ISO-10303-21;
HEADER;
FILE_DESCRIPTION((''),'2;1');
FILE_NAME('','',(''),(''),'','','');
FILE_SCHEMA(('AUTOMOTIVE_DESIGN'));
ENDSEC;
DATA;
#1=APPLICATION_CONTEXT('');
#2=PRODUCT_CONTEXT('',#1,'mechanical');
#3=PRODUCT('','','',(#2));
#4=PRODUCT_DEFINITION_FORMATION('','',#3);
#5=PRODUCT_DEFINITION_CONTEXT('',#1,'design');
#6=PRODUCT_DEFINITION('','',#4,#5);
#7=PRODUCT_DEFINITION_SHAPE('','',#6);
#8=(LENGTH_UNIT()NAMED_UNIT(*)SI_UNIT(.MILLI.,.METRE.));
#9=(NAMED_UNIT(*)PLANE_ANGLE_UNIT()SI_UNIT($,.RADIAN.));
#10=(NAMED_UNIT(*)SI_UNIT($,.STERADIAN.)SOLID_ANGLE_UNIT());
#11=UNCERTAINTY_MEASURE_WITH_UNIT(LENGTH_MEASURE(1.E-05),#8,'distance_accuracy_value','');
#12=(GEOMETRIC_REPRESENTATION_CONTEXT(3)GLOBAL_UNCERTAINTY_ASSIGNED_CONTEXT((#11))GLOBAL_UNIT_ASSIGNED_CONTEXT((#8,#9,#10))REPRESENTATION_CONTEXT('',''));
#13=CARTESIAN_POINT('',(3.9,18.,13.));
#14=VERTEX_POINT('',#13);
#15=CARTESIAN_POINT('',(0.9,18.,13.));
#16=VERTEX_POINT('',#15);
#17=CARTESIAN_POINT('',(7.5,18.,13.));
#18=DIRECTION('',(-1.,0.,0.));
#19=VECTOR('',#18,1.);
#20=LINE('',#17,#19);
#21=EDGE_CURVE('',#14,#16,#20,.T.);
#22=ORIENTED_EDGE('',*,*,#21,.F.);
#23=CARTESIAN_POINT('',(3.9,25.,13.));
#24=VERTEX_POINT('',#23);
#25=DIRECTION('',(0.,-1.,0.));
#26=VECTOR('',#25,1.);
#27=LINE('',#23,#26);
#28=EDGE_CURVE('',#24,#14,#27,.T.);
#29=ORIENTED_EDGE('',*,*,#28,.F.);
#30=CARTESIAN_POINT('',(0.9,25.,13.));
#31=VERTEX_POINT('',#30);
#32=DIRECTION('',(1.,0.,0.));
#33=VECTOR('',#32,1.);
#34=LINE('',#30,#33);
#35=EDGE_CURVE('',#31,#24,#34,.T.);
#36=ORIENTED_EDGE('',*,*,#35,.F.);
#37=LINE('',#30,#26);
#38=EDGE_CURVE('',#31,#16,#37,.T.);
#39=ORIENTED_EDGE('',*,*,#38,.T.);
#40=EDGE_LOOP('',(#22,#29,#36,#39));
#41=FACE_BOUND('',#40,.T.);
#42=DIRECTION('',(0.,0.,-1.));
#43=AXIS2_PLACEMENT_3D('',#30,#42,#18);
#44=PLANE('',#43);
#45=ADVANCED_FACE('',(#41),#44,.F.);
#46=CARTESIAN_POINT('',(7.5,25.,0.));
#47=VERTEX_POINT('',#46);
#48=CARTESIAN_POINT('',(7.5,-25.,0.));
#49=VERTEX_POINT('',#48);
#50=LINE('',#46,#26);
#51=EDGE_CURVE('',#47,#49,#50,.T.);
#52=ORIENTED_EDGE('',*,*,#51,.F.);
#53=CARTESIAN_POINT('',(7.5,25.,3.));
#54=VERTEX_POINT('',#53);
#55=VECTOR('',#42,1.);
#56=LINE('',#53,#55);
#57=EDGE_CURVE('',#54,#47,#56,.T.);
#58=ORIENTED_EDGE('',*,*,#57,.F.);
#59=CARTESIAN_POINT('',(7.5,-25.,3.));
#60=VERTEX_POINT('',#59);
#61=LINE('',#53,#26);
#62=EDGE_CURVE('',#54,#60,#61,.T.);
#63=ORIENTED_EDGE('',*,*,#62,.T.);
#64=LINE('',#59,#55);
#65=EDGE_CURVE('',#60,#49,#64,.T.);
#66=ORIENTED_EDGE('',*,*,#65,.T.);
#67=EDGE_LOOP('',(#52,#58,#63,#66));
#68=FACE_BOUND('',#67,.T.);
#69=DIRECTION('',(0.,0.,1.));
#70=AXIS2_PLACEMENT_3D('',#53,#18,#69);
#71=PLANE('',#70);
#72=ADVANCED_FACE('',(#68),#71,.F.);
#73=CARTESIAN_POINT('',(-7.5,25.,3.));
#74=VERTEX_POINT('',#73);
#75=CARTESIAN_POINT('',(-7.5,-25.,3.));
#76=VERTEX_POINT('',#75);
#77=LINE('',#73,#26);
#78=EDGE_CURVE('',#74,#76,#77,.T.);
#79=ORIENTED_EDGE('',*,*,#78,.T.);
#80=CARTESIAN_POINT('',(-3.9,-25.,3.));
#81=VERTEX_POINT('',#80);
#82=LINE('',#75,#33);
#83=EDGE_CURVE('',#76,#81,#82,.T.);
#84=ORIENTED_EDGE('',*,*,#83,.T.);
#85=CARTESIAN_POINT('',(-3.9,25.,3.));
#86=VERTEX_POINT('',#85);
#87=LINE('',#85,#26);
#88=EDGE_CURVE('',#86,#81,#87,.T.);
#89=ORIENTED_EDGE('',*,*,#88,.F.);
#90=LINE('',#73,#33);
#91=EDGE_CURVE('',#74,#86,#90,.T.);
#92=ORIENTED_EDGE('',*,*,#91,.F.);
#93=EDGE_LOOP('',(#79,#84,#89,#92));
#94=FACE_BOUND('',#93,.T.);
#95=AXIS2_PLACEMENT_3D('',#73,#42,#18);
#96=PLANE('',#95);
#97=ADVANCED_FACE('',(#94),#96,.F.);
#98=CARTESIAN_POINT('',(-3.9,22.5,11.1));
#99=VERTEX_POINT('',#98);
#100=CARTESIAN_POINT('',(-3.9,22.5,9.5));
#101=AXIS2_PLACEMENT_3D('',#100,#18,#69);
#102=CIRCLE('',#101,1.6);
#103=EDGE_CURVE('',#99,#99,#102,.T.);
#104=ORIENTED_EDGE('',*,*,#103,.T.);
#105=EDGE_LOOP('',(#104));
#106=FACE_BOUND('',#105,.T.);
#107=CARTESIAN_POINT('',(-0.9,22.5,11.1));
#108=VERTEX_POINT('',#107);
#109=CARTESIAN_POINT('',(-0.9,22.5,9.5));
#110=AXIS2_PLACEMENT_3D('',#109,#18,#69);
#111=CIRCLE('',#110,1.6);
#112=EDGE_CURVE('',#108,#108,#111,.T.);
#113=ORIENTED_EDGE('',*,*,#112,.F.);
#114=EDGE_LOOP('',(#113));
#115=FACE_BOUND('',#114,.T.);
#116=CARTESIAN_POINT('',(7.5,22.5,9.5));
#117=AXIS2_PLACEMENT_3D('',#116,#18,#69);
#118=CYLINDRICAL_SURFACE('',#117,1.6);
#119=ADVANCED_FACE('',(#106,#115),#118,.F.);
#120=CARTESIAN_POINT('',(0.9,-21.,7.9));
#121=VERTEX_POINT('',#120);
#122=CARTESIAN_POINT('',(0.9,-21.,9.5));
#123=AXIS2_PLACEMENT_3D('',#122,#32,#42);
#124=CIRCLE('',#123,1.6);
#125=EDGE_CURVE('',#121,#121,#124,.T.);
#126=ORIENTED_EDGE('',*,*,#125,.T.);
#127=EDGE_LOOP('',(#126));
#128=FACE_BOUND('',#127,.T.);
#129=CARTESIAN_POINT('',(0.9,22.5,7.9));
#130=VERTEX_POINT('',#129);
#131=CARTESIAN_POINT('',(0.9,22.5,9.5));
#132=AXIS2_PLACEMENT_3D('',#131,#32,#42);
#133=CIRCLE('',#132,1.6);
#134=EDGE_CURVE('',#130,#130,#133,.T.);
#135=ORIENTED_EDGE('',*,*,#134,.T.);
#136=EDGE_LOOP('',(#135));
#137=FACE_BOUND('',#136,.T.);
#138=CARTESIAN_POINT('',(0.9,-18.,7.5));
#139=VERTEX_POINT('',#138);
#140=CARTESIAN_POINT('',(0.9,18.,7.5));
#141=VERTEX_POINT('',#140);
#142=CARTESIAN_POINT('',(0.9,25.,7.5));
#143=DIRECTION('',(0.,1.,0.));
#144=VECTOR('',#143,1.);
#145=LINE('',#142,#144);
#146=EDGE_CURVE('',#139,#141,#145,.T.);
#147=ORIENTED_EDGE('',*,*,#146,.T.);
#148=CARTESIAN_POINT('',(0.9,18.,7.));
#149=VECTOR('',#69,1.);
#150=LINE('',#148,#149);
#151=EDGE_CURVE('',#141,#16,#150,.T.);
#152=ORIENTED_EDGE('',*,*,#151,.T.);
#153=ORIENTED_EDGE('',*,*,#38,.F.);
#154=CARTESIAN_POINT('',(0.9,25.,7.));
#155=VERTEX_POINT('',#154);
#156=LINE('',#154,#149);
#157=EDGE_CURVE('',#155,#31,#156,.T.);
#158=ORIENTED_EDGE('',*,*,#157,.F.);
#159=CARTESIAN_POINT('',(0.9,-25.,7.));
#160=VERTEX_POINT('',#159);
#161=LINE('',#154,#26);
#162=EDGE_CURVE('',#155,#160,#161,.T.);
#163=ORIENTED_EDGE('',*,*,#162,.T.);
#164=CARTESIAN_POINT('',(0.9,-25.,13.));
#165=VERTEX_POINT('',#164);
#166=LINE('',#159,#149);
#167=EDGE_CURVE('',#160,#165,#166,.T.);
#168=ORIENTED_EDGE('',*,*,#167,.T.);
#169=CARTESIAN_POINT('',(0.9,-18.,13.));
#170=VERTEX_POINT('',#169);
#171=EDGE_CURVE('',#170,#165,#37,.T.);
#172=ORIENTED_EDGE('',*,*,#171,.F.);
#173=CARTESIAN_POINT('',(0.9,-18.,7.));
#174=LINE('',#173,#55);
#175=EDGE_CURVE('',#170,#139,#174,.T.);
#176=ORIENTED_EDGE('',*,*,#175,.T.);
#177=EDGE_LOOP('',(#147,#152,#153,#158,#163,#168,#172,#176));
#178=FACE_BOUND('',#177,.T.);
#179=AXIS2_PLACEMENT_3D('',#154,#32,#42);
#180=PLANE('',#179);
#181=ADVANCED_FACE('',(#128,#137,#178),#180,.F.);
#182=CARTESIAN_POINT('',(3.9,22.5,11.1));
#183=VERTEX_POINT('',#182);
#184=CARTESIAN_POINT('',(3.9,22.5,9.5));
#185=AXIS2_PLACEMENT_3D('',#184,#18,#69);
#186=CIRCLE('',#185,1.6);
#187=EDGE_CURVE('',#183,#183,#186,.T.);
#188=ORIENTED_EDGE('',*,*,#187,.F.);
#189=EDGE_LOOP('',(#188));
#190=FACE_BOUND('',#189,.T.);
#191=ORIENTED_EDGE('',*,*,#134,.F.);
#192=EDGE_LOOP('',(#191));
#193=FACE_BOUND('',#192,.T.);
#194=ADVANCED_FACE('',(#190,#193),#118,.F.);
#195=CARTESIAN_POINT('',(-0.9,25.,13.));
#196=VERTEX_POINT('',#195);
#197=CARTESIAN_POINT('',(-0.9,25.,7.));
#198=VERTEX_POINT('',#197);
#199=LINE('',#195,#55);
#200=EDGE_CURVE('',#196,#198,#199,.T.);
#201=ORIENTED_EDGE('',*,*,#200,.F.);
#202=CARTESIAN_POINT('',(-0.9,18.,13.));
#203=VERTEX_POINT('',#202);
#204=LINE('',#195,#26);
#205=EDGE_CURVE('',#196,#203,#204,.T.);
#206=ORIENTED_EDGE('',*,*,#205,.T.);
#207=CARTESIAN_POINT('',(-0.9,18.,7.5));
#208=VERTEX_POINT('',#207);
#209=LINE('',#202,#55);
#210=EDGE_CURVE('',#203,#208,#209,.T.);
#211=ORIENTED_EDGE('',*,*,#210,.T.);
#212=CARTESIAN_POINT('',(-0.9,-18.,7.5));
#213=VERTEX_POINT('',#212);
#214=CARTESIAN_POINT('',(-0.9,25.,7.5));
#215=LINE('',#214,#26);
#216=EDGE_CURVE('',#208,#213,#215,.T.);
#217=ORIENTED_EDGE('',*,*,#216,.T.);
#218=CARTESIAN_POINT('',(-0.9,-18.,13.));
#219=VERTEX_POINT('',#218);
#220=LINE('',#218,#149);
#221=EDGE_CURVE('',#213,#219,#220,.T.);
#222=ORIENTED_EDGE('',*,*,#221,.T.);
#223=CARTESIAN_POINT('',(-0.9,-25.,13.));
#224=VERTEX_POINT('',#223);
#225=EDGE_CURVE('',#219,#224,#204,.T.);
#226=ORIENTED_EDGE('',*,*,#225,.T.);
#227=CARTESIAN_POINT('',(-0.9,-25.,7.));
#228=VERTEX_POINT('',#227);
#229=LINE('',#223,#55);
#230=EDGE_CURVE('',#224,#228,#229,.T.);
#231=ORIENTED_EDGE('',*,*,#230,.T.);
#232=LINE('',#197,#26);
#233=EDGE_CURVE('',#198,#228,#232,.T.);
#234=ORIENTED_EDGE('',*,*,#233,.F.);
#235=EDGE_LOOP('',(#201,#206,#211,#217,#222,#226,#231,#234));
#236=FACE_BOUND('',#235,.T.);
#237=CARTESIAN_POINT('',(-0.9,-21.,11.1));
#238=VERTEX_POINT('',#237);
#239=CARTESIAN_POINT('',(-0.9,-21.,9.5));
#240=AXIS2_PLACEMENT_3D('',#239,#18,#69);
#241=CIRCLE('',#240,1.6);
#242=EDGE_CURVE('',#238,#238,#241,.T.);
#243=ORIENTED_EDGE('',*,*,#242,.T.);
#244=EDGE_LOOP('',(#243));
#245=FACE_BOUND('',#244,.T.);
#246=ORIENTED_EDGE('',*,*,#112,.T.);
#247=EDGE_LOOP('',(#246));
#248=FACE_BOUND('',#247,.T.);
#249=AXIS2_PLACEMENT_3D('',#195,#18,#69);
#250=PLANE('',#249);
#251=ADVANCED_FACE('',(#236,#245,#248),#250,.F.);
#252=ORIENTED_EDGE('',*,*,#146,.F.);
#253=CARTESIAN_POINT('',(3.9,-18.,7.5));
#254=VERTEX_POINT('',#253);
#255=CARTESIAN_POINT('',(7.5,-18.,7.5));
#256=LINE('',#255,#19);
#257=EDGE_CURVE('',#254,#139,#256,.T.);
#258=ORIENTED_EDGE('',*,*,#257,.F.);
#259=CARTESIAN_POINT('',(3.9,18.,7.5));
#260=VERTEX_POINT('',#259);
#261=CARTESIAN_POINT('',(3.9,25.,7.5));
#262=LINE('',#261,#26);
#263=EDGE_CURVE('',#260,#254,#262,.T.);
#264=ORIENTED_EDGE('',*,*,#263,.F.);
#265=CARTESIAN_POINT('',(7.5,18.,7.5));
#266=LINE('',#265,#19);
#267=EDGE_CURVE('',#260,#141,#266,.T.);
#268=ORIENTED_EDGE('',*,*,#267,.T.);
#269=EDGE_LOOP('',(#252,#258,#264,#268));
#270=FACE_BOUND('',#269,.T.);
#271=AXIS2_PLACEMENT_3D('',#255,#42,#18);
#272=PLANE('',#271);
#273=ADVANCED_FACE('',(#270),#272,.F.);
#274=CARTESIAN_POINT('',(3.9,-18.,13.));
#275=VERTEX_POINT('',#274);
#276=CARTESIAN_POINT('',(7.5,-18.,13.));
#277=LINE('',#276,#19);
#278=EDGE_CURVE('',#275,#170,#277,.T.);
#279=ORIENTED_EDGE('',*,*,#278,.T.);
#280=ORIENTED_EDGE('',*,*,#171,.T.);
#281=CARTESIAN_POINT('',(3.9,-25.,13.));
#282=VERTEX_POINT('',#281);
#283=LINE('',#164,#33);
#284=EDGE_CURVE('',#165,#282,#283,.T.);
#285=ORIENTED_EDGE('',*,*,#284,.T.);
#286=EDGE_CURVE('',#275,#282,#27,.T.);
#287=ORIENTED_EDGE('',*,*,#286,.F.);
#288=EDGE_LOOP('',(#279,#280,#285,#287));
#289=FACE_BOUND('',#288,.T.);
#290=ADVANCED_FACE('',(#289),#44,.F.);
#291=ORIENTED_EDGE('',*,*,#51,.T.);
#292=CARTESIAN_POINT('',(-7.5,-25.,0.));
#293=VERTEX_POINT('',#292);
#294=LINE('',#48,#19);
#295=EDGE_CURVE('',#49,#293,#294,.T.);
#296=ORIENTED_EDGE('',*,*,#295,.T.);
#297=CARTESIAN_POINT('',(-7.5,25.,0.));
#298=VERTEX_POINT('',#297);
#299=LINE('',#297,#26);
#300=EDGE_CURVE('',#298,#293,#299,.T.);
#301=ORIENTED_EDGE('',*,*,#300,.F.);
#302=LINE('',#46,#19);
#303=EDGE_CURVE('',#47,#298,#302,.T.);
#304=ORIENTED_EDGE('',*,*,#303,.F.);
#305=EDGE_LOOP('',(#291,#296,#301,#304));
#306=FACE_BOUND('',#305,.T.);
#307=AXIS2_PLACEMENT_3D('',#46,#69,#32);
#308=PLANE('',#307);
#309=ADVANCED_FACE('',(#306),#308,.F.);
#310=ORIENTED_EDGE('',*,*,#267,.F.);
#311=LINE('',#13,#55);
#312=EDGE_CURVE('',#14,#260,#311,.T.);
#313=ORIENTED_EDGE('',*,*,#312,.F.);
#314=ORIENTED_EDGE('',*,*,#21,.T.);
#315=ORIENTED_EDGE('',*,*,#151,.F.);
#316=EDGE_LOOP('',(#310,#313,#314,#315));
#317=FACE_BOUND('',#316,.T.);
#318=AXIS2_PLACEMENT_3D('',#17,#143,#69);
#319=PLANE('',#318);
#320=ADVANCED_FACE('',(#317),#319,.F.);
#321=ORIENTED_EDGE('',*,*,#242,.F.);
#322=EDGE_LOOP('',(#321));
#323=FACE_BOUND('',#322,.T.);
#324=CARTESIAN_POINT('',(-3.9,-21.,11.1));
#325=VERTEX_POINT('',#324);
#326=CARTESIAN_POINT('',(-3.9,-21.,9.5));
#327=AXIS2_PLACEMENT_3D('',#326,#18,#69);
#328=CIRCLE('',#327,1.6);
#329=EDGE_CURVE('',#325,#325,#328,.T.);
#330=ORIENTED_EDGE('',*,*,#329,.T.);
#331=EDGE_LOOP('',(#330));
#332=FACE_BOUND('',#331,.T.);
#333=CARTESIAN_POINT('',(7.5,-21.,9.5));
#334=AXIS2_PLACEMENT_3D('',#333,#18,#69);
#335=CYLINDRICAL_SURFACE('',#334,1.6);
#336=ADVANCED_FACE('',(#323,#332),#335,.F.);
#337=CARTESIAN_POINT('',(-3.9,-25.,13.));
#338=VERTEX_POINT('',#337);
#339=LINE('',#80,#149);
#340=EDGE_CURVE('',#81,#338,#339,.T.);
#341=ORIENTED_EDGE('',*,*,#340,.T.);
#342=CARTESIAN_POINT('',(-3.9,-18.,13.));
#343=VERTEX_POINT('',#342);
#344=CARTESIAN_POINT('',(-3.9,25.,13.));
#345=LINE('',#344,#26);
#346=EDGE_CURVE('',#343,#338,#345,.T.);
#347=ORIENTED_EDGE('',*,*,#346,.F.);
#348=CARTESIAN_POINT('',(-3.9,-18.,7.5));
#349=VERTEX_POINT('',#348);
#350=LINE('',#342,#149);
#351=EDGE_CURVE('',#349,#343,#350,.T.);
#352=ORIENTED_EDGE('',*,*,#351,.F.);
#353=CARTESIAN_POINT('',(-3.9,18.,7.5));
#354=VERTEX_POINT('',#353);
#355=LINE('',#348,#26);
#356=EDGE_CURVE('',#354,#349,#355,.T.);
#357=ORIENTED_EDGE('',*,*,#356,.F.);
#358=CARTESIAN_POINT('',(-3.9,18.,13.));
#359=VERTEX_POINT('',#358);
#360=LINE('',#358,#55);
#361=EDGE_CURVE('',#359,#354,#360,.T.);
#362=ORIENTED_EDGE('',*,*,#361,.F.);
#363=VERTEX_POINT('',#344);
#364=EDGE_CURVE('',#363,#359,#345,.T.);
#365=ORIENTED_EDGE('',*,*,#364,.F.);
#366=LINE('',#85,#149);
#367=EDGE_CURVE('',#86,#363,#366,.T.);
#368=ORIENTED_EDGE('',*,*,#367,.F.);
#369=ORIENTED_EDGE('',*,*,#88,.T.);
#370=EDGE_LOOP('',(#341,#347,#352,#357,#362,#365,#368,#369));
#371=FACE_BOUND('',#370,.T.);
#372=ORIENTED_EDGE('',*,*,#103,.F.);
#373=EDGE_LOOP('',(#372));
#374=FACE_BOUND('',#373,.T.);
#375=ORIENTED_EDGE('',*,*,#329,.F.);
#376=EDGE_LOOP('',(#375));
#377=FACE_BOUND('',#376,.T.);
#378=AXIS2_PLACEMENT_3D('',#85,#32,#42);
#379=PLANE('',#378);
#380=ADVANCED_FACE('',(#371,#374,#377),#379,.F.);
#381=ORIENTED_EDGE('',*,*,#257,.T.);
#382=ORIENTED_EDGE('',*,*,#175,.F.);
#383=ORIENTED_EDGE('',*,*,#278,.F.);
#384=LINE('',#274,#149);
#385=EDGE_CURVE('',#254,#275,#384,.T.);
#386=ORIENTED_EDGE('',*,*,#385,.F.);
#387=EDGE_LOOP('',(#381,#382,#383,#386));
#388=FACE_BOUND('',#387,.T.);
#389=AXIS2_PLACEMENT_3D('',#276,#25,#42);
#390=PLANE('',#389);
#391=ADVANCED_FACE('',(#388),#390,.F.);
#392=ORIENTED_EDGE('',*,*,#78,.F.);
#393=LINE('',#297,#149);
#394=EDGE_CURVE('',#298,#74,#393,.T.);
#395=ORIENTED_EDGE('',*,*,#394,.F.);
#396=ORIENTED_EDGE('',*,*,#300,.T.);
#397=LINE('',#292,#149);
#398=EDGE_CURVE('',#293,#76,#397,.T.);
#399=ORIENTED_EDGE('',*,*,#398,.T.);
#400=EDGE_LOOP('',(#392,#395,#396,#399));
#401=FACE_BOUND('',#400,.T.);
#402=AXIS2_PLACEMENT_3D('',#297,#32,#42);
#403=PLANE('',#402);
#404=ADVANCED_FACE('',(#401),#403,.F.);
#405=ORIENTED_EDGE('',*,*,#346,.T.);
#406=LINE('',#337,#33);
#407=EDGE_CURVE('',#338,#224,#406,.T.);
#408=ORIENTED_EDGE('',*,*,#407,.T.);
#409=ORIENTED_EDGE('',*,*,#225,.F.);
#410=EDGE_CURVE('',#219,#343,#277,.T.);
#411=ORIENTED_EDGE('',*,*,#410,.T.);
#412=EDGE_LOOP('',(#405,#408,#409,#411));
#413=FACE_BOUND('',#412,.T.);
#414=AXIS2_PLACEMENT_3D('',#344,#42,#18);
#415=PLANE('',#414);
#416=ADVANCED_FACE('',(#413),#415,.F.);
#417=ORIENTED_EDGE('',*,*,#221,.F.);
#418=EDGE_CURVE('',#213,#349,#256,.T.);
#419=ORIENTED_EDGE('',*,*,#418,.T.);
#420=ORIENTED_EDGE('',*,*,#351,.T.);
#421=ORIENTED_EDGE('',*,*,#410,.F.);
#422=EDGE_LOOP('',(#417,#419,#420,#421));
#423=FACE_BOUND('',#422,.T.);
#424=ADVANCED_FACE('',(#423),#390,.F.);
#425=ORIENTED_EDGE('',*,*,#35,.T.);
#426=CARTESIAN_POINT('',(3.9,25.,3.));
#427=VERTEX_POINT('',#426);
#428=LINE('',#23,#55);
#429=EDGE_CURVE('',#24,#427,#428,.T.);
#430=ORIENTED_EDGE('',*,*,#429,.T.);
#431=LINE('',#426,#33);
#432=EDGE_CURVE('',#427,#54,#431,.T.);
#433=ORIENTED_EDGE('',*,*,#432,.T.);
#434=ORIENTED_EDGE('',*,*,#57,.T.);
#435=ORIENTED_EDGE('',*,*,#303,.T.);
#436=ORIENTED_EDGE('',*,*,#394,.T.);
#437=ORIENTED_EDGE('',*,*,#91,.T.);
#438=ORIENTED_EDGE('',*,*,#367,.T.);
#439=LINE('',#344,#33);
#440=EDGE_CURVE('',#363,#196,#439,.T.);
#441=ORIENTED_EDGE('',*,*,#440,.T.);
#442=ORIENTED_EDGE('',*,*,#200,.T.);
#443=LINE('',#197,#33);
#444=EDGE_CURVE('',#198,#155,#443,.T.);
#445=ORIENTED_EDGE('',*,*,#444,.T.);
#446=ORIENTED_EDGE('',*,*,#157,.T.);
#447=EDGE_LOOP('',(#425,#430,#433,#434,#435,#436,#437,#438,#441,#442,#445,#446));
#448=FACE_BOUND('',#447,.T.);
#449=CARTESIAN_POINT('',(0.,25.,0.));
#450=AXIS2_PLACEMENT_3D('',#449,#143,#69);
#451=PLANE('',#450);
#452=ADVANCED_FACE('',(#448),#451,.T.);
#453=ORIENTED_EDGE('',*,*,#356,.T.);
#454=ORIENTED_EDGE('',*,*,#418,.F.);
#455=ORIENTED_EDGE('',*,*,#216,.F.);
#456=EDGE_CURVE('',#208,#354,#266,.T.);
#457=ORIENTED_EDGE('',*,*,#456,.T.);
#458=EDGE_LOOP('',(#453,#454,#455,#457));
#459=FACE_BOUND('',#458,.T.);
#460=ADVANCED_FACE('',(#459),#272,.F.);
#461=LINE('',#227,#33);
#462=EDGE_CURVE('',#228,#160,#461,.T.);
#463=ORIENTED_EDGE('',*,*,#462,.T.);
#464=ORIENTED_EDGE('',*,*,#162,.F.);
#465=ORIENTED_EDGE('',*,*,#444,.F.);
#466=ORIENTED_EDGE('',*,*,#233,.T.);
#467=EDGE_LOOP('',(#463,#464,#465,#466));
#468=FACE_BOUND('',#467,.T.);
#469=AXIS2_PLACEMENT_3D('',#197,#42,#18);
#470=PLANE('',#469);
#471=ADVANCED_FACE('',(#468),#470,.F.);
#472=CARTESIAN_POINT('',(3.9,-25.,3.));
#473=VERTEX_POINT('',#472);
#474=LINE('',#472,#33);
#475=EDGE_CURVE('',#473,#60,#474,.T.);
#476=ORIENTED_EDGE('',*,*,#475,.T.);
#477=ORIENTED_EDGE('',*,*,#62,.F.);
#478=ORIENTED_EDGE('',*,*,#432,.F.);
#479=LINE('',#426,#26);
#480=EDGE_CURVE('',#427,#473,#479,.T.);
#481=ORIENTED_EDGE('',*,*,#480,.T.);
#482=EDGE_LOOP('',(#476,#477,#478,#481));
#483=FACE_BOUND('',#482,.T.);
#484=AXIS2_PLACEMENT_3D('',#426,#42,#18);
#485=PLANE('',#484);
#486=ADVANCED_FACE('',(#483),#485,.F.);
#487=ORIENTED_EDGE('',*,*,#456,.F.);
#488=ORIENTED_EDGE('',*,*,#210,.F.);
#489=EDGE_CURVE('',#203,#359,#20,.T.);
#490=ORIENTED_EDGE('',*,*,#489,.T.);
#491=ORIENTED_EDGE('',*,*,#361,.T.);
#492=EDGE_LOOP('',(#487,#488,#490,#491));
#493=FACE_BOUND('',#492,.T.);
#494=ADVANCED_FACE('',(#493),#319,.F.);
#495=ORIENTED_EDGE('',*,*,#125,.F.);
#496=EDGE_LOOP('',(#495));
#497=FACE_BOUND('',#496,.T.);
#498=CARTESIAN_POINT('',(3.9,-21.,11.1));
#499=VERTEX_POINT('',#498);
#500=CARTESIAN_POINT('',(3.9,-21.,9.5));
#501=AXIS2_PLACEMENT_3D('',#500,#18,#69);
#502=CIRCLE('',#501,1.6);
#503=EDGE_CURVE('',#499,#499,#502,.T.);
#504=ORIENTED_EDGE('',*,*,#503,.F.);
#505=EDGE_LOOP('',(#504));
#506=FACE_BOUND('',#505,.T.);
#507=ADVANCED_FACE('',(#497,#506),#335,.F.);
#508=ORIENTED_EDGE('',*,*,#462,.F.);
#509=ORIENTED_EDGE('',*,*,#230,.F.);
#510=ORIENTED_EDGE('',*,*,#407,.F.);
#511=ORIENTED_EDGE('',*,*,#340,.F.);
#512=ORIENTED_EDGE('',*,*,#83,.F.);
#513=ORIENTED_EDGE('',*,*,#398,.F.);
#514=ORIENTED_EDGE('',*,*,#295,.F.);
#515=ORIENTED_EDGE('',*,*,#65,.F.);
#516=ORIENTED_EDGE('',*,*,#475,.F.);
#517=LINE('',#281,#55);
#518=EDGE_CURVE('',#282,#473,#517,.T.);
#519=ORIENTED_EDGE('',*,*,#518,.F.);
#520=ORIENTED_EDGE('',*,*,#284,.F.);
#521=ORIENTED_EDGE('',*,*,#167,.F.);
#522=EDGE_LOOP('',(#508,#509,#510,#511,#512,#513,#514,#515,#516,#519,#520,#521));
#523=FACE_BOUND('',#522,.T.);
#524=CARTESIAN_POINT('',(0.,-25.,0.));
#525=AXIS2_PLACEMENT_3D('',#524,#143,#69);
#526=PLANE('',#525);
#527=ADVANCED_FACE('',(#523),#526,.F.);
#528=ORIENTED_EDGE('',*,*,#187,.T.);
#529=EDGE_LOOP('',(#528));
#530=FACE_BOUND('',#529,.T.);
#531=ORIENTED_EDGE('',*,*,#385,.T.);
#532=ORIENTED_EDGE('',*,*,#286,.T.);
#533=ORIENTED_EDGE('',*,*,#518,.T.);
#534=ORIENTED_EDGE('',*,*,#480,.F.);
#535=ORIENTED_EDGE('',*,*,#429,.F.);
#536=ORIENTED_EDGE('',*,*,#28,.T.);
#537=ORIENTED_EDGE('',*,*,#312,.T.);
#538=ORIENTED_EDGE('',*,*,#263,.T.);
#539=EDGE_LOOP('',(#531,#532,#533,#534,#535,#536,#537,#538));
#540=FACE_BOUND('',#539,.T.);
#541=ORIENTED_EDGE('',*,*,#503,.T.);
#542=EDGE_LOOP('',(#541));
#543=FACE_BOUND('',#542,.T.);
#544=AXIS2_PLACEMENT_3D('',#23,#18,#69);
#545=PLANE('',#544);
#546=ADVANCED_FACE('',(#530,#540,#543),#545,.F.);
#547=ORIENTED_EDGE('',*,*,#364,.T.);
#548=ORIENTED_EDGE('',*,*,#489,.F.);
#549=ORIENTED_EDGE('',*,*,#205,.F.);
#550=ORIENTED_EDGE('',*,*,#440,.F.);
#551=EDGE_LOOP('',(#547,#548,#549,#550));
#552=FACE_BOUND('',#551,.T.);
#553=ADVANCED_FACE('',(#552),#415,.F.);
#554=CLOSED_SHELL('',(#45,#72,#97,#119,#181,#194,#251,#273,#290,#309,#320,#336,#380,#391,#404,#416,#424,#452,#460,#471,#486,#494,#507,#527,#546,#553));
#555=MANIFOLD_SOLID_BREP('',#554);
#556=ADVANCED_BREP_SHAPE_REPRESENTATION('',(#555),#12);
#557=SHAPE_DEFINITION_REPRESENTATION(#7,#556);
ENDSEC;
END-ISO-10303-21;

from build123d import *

# Parameters (mm, degrees)
BOSS_EXTRUDE1_DEPTH = 25
SKETCH2_W           = 5.5
SKETCH2_H           = 36
CUT_EXTRUDE1_DEPTH  = 31.396710348
SKETCH3_R           = 1.6
CUT_EXTRUDE2_DEPTH  = 31.396710348


with BuildPart() as part:
    # Sketch1 → Boss-Extrude1 (new, symmetric)
    with BuildSketch(Plane(origin=(0, 0, 0), x_dir=(1, 0, 0), z_dir=(0, 1, 0))):
        Polygon((7.5, 0), (-7.5, 0), (-7.5, -3), (-3.9, -3), (-3.9, -13), (-0.9, -13), (-0.9, -7), (0.9, -7), (0.9, -13), (3.9, -13), (3.9, -3), (7.5, -3), align=None)
    extrude(amount=BOSS_EXTRUDE1_DEPTH, both=True)

    # Sketch2 → Cut-Extrude1 (cut, through all)
    with BuildSketch(Plane.ZY.offset(3.9)):
        with Locations((10.25, 0)):
            Rectangle(SKETCH2_W, SKETCH2_H)
    extrude(amount=-CUT_EXTRUDE1_DEPTH, mode=Mode.SUBTRACT)

    # Sketch3 → Cut-Extrude2 (cut, through all)
    with BuildSketch(Plane.ZY.offset(3.9)):
        with Locations((9.5, 22.5)):
            Circle(SKETCH3_R)
        with Locations((9.5, -21)):
            Circle(SKETCH3_R)
    extrude(amount=-CUT_EXTRUDE2_DEPTH, mode=Mode.SUBTRACT)


solid = part.part
